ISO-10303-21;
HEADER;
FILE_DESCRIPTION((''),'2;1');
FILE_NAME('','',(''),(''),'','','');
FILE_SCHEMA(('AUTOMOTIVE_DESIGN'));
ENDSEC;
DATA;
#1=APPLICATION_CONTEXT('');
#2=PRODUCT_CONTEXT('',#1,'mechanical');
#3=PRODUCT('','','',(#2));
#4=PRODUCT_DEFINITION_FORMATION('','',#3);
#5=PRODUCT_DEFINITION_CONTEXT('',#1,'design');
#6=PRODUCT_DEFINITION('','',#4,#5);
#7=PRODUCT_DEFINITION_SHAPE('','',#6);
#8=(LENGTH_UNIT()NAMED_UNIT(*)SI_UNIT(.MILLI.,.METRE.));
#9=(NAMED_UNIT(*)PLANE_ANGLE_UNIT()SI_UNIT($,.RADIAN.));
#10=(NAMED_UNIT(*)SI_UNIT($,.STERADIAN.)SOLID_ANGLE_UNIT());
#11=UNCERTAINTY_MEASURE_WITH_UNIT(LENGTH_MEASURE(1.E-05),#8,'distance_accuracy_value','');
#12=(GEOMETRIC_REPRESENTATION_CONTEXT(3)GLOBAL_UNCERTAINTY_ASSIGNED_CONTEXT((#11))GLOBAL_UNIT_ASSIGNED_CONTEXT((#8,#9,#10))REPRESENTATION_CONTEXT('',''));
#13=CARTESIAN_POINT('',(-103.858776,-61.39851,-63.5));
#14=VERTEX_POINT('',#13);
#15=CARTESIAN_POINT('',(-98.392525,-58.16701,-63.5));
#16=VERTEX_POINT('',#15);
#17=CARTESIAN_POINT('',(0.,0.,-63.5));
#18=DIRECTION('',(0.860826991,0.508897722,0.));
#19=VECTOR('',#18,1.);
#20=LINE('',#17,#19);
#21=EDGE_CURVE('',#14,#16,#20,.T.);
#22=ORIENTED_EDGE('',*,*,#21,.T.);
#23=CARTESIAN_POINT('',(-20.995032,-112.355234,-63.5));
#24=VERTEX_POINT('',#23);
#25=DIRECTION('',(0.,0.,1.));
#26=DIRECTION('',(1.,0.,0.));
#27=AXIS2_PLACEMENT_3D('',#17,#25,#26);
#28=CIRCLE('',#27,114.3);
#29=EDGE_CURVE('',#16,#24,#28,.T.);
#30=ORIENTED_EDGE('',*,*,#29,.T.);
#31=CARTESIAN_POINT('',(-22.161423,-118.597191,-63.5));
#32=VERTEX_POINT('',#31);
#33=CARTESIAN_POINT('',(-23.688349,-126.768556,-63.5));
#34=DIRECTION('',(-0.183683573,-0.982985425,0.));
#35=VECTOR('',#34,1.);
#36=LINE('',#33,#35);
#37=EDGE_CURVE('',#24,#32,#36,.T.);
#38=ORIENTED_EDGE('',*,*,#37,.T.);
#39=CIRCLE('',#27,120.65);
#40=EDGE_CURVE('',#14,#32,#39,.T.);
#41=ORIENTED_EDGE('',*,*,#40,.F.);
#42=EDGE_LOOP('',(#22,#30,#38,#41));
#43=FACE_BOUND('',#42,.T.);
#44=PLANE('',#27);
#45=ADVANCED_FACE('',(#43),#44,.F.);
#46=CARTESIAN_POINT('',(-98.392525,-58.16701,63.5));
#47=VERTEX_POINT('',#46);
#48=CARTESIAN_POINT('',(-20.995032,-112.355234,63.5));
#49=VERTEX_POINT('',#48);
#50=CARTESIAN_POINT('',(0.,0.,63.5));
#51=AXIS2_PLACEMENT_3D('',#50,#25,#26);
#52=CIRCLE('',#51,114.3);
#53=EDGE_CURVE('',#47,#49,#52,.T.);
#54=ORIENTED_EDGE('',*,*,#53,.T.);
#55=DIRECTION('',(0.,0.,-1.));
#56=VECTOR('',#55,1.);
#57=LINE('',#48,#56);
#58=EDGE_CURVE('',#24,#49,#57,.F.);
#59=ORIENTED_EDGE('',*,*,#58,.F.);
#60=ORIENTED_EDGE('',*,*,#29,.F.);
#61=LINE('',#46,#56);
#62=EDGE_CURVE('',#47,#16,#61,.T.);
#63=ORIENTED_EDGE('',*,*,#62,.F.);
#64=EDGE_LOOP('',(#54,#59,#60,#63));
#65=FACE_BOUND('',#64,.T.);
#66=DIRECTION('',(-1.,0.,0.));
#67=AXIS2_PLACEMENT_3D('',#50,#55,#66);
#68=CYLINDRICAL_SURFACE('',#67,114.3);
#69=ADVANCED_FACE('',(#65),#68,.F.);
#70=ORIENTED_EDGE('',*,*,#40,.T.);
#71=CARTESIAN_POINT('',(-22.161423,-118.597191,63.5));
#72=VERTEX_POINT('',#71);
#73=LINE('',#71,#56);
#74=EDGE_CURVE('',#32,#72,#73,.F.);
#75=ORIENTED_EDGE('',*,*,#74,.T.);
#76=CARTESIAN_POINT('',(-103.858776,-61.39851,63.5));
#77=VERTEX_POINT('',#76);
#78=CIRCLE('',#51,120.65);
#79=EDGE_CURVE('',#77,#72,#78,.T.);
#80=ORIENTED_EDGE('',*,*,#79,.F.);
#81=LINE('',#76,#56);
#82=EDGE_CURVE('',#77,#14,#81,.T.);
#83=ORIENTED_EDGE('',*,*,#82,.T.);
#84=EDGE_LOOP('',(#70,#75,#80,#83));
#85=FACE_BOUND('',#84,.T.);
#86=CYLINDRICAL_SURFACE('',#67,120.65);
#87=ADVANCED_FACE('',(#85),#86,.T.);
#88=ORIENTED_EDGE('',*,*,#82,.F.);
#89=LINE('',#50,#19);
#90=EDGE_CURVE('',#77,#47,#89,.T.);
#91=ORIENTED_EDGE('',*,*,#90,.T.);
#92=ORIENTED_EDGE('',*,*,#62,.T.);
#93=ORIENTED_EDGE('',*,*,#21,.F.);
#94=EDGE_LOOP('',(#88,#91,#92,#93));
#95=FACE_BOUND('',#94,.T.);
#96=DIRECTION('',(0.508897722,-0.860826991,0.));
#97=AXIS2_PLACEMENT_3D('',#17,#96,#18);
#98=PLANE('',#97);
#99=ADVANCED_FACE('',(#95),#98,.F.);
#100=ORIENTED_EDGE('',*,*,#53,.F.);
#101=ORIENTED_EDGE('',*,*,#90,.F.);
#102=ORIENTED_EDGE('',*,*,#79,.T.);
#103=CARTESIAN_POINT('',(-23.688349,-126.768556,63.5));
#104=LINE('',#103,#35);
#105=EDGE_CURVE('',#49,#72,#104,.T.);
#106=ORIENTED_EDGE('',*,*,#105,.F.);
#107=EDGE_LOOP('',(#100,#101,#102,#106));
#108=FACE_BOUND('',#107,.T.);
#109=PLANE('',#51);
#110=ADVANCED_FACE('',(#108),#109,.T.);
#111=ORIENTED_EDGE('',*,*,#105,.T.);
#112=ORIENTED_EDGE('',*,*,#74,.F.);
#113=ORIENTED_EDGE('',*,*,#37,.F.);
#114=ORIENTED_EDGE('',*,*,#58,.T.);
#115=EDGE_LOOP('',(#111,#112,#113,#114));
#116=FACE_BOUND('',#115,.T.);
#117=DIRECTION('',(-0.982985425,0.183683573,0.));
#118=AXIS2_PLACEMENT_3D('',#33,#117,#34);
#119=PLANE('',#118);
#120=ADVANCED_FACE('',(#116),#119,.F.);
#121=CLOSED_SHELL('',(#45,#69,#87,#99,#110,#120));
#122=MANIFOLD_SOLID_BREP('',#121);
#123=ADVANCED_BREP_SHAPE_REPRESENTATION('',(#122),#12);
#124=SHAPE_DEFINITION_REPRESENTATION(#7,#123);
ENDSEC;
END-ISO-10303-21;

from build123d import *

# Parameters (mm, degrees)
SKETCH4_R           = 120.65
SKETCH4_R_2         = 114.3
BOSS_EXTRUDE3_DEPTH = 63.5
CUT_EXTRUDE1_DEPTH  = 127


with BuildPart() as part:
    # Sketch4 → Boss-Extrude3 (new body, symmetric)
    with BuildSketch(Plane.XY):
        Circle(SKETCH4_R)
        Circle(SKETCH4_R_2, mode=Mode.SUBTRACT)
    extrude(amount=BOSS_EXTRUDE3_DEPTH, both=True)

    # Sketch6 → Cut-Extrude1 (cut)
    with BuildSketch(Plane.XY.offset(63.5)):
        Polygon((-23.688348603, -126.768556463), (0, 0), (-123.610109983, -73.074966297), (-158.065889769, 116.718954026), (139.402342385, 136.243895905), (181.323541125, -82.26317424), (155.492233446, -108.890326726), align=None)
    extrude(amount=-CUT_EXTRUDE1_DEPTH, mode=Mode.SUBTRACT)


solid = part.part
